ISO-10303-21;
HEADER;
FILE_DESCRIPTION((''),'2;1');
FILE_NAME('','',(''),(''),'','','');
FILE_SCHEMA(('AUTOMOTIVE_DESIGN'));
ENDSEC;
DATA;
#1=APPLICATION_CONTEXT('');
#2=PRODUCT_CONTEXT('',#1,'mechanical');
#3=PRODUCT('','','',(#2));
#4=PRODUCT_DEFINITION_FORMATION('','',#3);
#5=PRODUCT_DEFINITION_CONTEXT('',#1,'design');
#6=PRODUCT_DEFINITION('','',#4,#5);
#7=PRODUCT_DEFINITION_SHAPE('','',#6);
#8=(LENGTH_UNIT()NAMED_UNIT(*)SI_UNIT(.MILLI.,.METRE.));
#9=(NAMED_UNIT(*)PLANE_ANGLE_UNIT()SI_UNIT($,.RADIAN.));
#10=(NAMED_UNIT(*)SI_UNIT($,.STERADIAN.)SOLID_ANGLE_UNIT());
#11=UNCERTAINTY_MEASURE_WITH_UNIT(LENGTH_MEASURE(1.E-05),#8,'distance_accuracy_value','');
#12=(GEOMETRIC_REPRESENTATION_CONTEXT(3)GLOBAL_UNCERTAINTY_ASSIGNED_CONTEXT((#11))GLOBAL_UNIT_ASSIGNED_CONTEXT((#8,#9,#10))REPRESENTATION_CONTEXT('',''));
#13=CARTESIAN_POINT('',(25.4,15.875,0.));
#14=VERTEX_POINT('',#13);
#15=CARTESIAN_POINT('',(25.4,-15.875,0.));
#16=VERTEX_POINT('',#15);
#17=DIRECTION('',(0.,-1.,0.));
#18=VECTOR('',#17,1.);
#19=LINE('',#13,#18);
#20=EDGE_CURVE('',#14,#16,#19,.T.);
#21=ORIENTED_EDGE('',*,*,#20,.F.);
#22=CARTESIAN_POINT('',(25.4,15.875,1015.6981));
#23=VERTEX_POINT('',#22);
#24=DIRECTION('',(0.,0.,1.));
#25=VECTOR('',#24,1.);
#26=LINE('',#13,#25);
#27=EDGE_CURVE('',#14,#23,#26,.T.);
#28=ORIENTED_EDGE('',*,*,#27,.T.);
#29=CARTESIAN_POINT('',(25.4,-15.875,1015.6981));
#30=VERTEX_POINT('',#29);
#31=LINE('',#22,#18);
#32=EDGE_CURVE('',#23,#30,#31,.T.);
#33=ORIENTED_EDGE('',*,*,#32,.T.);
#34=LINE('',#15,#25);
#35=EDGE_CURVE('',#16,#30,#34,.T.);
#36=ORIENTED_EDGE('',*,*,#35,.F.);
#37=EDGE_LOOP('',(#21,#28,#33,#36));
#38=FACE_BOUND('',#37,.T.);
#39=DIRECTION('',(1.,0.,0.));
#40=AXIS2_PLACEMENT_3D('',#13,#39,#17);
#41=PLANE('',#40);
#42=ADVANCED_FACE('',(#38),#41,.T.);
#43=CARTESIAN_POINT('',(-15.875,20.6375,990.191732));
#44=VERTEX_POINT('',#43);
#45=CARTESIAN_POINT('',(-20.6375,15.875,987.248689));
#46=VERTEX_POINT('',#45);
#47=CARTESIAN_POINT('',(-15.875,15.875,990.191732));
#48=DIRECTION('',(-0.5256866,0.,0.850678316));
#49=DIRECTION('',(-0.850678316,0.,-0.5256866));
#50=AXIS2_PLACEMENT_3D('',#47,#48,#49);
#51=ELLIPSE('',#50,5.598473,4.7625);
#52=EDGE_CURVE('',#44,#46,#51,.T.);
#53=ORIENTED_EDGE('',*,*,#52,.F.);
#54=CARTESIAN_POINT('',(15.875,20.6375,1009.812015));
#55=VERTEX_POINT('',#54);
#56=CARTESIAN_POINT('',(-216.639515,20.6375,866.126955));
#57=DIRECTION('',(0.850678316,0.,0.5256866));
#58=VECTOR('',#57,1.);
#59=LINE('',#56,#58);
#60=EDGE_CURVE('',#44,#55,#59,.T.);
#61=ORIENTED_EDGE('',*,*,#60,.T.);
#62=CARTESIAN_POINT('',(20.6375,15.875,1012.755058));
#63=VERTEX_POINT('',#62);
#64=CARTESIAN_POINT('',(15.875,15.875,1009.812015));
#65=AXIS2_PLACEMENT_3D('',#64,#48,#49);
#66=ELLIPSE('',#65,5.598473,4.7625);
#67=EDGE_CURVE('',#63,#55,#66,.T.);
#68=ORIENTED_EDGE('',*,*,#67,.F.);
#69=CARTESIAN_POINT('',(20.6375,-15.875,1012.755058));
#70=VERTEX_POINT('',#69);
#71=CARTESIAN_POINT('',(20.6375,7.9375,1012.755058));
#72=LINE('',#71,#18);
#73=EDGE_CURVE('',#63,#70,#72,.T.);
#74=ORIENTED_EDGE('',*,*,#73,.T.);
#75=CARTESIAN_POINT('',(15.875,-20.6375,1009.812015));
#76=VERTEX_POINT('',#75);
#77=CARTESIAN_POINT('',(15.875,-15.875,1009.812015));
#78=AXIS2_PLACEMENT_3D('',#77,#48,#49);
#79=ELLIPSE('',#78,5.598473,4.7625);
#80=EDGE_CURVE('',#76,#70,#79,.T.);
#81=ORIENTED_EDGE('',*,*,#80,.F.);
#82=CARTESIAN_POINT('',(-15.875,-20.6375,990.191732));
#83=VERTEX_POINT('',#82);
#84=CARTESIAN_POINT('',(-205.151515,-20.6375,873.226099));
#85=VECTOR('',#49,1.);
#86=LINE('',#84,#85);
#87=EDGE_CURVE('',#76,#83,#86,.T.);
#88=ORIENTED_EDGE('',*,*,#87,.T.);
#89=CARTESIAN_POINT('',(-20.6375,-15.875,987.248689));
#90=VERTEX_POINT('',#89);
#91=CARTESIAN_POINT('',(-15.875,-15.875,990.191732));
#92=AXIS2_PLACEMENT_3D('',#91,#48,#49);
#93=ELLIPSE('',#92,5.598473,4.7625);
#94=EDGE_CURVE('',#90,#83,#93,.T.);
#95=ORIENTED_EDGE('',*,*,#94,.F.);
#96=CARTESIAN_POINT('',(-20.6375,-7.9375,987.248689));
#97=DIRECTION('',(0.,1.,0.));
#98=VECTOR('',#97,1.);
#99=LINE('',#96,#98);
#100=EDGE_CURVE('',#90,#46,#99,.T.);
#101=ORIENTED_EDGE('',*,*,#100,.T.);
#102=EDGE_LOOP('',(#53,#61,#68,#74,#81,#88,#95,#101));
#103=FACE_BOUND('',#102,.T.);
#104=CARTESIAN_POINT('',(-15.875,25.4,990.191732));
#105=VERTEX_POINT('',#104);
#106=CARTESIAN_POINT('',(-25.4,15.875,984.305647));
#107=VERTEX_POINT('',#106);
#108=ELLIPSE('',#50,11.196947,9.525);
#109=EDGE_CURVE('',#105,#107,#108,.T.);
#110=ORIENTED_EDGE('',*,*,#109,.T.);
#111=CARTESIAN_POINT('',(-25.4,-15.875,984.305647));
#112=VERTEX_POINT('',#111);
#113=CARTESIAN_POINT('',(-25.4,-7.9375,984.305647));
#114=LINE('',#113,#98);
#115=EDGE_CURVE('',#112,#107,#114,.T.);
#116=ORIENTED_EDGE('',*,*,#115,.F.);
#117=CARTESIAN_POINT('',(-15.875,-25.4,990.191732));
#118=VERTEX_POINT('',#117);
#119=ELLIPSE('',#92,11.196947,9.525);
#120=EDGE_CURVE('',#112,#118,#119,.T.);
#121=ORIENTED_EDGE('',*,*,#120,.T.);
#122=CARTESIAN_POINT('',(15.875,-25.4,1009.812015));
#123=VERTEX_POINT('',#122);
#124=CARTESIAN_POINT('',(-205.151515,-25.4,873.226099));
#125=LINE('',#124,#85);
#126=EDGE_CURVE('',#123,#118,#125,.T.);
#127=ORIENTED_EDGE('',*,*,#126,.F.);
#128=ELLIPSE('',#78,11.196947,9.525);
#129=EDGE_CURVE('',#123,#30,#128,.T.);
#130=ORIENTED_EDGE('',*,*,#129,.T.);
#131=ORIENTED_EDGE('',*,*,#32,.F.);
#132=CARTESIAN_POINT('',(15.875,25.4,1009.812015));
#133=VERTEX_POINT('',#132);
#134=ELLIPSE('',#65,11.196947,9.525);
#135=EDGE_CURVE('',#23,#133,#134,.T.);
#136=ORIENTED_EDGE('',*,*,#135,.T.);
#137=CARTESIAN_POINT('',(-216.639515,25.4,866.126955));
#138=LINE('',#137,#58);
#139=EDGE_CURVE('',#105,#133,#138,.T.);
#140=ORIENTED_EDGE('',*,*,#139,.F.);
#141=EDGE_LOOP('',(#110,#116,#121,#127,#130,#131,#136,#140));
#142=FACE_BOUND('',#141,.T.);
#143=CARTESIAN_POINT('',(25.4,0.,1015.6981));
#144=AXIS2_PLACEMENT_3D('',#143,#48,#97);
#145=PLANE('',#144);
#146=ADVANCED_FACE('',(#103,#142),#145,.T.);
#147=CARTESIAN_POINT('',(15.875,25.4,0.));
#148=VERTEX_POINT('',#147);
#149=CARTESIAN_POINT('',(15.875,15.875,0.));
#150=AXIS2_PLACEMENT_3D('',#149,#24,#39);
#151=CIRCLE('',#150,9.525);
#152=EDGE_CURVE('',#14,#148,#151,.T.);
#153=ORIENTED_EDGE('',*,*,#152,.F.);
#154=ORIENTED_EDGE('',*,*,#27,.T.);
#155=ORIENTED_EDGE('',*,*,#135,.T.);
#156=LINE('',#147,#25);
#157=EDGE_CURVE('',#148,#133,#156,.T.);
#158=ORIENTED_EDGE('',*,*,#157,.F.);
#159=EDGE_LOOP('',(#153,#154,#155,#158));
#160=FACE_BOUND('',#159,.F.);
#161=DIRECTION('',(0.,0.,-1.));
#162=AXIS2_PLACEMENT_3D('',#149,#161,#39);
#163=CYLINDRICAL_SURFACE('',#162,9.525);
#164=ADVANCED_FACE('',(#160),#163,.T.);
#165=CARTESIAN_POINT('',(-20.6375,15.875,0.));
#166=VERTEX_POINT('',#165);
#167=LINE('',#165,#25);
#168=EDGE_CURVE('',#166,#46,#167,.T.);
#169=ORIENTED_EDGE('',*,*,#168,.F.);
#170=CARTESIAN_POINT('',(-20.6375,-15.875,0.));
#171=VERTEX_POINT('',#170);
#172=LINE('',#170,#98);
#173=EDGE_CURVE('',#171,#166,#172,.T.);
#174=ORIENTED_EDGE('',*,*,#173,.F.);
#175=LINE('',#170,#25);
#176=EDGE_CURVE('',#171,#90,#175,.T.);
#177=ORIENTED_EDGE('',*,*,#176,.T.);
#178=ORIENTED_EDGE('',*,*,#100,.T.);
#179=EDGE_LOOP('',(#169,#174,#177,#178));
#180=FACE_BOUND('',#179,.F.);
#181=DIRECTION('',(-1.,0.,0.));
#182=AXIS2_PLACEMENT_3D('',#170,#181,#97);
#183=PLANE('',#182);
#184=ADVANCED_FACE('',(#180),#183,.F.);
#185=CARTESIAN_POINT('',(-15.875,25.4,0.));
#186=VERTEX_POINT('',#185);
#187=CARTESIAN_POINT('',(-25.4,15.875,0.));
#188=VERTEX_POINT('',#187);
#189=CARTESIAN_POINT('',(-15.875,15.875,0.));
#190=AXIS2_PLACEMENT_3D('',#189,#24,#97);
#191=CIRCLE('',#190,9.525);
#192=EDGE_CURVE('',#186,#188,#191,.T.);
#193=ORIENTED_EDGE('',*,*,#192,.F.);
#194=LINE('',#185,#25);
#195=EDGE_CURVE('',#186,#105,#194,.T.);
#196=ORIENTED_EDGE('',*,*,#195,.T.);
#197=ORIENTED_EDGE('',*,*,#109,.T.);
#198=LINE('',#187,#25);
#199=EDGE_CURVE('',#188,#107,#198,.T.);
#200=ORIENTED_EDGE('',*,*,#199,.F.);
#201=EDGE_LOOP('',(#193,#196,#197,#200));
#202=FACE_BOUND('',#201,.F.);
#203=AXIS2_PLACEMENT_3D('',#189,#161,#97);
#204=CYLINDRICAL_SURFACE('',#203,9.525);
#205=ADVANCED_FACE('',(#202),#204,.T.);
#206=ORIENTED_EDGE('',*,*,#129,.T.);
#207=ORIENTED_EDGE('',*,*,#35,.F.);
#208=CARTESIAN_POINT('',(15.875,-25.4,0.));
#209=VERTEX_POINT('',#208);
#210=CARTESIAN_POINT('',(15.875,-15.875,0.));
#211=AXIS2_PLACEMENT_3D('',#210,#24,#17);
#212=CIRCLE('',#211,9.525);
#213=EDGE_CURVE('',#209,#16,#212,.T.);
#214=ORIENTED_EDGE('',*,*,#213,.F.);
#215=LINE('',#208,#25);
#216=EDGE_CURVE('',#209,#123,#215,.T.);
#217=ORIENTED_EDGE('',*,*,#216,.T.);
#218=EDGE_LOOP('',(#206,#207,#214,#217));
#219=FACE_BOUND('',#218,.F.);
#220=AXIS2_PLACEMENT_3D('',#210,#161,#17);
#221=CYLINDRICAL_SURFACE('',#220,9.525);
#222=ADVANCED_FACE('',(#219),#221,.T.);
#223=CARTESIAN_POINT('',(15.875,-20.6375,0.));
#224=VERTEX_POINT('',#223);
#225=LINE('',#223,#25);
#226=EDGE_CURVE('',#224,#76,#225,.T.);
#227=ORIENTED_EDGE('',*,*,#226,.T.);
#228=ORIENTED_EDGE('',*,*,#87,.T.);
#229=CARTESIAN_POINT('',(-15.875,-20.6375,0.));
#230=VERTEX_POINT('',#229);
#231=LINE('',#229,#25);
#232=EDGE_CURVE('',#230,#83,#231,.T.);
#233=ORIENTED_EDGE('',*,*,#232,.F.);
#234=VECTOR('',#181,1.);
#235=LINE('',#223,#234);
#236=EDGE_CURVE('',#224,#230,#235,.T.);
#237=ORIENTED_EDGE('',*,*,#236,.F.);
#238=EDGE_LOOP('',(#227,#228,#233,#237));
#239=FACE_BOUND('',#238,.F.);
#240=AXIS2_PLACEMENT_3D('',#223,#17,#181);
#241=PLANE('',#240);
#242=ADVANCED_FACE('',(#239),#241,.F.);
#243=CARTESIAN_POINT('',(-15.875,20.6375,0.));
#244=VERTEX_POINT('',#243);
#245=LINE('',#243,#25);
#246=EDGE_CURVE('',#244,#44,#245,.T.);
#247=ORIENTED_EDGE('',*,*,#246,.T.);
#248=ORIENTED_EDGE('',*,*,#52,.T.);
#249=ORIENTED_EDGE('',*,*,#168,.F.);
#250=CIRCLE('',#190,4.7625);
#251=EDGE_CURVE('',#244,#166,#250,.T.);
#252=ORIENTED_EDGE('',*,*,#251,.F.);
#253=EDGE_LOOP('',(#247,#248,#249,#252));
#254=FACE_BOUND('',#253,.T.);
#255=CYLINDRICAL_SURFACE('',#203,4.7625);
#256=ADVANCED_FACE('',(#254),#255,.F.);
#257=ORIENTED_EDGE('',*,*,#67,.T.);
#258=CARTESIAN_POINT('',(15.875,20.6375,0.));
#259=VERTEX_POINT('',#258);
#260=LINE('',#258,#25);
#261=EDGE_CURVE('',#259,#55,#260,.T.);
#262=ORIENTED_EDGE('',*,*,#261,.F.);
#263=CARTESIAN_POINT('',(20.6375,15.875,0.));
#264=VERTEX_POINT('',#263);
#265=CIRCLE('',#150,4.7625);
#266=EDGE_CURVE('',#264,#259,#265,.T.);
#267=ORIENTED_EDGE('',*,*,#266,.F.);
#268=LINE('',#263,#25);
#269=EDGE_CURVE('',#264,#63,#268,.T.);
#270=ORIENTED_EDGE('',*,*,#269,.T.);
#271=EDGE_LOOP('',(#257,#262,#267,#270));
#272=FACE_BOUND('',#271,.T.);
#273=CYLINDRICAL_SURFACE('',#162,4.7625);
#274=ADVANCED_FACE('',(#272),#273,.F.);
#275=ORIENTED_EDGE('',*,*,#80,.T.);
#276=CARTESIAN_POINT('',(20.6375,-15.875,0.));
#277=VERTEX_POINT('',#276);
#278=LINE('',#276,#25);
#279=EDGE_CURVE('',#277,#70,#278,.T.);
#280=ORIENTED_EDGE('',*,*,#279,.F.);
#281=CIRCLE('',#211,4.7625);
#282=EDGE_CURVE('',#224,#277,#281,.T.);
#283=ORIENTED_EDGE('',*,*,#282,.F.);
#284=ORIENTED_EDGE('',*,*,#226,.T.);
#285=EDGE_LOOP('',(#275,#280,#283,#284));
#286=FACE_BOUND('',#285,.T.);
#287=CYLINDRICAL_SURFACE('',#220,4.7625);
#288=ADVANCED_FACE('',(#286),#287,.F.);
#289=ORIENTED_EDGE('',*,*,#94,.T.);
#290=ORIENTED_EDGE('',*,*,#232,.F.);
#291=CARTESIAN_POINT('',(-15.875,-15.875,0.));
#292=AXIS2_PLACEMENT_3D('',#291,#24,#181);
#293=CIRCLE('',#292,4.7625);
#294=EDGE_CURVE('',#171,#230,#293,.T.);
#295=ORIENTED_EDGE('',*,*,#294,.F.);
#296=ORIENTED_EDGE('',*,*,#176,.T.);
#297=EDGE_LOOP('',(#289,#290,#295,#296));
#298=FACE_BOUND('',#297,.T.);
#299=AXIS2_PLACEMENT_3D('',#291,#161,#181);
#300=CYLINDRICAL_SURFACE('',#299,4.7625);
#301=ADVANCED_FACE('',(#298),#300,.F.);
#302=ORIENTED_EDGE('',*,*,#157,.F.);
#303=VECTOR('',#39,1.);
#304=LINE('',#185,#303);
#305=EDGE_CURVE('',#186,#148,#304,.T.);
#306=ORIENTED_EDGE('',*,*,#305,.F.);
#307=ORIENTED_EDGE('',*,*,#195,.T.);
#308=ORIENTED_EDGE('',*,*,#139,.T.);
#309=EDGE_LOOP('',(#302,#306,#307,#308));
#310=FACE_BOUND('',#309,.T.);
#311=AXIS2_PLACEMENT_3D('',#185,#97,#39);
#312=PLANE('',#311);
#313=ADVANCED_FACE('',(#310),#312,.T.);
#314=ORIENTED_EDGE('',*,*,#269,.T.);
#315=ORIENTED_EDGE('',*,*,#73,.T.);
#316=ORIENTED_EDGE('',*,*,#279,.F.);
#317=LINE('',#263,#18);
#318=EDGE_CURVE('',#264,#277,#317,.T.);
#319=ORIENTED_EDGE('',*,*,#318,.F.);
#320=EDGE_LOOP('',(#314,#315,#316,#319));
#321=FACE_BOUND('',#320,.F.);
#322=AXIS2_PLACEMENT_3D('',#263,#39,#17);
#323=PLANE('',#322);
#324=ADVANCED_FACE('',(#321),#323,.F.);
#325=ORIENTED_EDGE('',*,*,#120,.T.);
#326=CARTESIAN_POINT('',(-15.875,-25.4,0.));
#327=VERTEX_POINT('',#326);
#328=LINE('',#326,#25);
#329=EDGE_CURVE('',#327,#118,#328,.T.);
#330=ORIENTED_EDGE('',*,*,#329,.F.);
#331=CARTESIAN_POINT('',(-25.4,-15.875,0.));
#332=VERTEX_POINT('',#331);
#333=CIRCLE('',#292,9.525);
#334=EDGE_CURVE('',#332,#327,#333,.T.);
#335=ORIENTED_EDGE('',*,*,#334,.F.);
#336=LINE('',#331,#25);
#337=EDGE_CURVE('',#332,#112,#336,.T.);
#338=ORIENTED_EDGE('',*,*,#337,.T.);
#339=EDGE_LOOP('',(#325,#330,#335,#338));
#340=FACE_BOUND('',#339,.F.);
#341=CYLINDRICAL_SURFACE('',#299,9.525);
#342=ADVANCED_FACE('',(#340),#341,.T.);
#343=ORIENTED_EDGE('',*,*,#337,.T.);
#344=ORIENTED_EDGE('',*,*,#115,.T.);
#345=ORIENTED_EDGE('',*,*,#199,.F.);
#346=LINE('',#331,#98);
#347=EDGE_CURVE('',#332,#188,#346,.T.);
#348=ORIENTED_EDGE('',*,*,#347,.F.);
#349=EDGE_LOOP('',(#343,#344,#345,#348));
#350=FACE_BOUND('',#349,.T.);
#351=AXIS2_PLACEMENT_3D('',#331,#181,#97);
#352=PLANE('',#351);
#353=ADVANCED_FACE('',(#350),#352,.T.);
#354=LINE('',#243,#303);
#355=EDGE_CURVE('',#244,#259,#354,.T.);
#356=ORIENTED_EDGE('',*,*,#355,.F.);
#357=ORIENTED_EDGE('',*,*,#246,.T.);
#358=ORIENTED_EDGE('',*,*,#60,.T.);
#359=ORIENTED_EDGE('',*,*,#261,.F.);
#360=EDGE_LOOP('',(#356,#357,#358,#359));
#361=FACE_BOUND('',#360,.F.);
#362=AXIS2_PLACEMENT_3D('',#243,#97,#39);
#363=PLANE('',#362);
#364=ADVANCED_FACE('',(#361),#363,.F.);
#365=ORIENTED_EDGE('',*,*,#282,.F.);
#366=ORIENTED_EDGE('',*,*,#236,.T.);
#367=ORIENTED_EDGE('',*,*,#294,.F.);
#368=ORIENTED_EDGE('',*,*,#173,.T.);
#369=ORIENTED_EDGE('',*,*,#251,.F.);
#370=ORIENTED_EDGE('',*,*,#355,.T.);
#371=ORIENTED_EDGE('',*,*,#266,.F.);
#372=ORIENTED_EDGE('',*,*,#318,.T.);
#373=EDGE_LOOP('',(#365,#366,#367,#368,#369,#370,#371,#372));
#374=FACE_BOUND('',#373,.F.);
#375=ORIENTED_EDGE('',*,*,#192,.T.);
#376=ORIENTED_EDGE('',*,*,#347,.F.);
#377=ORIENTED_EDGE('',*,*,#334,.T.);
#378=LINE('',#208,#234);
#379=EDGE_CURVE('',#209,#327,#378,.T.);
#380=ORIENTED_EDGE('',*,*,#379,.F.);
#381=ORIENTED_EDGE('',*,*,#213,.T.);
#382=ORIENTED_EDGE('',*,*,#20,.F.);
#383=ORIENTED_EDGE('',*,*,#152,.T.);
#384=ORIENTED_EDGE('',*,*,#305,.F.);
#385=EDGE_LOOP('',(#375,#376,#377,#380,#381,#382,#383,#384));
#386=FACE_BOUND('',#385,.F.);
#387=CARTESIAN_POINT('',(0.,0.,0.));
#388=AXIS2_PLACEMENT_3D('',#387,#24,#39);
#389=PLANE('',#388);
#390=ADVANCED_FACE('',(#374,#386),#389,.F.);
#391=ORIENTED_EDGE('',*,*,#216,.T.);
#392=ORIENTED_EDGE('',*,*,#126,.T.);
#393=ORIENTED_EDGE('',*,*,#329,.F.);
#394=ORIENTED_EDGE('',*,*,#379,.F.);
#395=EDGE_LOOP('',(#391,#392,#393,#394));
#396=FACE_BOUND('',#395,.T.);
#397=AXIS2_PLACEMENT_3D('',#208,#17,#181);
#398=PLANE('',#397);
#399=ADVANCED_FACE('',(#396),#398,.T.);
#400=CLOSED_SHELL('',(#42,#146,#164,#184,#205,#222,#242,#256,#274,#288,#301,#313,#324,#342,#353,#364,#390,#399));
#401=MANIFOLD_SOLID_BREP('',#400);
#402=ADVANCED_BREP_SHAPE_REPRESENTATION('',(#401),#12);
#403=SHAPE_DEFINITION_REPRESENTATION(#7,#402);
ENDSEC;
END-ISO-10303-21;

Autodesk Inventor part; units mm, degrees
ref_plane "Plano inicial" through (0, 0, 0) normal (0, 0, 1) x (1, 0, 0)
ref_plane "Plano final" through (0, 0, 1015.6981) normal (0, 0, 1) x (1, 0, 0)
sketch "Esboço" plane through (0, 0, 0) normal (0, 0, 1) x (1, 0, 0)
  line L0 (-25.4, -15.875) -> (-25.4, 15.875)
  line L1 (-15.875, 25.4) -> (15.875, 25.4)
  line L2 (25.4, 15.875) -> (25.4, -15.875)
  line L3 (15.875, -25.4) -> (-15.875, -25.4)
  arc A0 (-25.4, -15.875) -> (-15.875, -25.4) centre (-15.875, -15.875) ccw
  arc A1 (-15.875, 25.4) -> (-25.4, 15.875) centre (-15.875, 15.875) ccw
  arc A2 (25.4, 15.875) -> (15.875, 25.4) centre (15.875, 15.875) ccw
  arc A3 (15.875, -25.4) -> (25.4, -15.875) centre (15.875, -15.875) ccw
  arc A4 (-15.875, 20.6375) -> (-20.6375, 15.875) centre (-15.875, 15.875) ccw
  line L4 (-15.875, 20.6375) -> (15.875, 20.6375)
  arc A5 (20.6375, 15.875) -> (15.875, 20.6375) centre (15.875, 15.875) ccw
  line L5 (20.6375, 15.875) -> (20.6375, -15.875)
  arc A6 (15.875, -20.6375) -> (20.6375, -15.875) centre (15.875, -15.875) ccw
  line L6 (15.875, -20.6375) -> (-15.875, -20.6375)
  arc A7 (-20.6375, -15.875) -> (-15.875, -20.6375) centre (-15.875, -15.875) ccw
  line L7 (-20.6375, -15.875) -> (-20.6375, 15.875)
  line L8 (0, 38.3218) -> (0, -38.3218) construction
  line L9 (-38.3218, 0) -> (38.3218, 0) construction
  dimension "d10" = 50.8
  dimension "d11" = 50.8
  dimension "d12" = 4.7625
  dimension "d15" = 25.4
  dimension "d16" = 25.4
  dimension "d17" = 9.525
extrude "Corpo" add sketch "Esboço" along normal up to surface (1015.6981 mm away) from surface at 0
sketch "Sketch3" plane through (0, 0, 0) normal (0, 0, 1) x (1, 0, 0)
  line L0 (0, 0) -> (10, 0)
ref_plane "Work Plane3" through (0, 0, 0) normal (0, -1, 0) x (1, 0, 0)
sketch "Sketch4" plane through (0, 0, 0) normal (0, -1, 0) x (1, 0, 0)
  line L0 (-2, 0) -> (12, 0)
  line L1 (-2, 1015.6981) -> (12, 1015.6981)
  dimension "d19" = 1015.6981
ref_plane "Plano de trabalho4" through (25.4, 0, 1015.6981) normal (-0.5257, 0, 0.8507) x (0.8507, 0, 0.5257)
split "Dividir1" plane through (25.4, 0, 1015.6981) removes the side toward (-0.5257, 0, 0.8507)
equation "\"d10\" = G_H"
equation "\"d11\" = G_W"
equation "\"d12\" = G_T"
equation "\"d15\" = 0.5 * d10"
equation "\"d16\" = 0.5 * d11"
equation "\"d17\" = G_IR"
equation "\"d3\" = G_L"
equation "\"G_W\" = 50.8"
equation "\"G_H\" = 50.8"
equation "\"G_T\" = 4.7625"
equation "\"G_IR\" = 9.525"
equation "\"G_L\" = d19"
equation "\"G_OFFSET_START\" = 0"
equation "\"G_OFFSET_END\" = 15.69806"
equation "\"d14\" = G_OFFSET_END + B_L"
equation "\"B_L\" = 1000"
properties part number "AISC - 2 x 2 x 3/16 - 39,988" material "Aço, suave"
